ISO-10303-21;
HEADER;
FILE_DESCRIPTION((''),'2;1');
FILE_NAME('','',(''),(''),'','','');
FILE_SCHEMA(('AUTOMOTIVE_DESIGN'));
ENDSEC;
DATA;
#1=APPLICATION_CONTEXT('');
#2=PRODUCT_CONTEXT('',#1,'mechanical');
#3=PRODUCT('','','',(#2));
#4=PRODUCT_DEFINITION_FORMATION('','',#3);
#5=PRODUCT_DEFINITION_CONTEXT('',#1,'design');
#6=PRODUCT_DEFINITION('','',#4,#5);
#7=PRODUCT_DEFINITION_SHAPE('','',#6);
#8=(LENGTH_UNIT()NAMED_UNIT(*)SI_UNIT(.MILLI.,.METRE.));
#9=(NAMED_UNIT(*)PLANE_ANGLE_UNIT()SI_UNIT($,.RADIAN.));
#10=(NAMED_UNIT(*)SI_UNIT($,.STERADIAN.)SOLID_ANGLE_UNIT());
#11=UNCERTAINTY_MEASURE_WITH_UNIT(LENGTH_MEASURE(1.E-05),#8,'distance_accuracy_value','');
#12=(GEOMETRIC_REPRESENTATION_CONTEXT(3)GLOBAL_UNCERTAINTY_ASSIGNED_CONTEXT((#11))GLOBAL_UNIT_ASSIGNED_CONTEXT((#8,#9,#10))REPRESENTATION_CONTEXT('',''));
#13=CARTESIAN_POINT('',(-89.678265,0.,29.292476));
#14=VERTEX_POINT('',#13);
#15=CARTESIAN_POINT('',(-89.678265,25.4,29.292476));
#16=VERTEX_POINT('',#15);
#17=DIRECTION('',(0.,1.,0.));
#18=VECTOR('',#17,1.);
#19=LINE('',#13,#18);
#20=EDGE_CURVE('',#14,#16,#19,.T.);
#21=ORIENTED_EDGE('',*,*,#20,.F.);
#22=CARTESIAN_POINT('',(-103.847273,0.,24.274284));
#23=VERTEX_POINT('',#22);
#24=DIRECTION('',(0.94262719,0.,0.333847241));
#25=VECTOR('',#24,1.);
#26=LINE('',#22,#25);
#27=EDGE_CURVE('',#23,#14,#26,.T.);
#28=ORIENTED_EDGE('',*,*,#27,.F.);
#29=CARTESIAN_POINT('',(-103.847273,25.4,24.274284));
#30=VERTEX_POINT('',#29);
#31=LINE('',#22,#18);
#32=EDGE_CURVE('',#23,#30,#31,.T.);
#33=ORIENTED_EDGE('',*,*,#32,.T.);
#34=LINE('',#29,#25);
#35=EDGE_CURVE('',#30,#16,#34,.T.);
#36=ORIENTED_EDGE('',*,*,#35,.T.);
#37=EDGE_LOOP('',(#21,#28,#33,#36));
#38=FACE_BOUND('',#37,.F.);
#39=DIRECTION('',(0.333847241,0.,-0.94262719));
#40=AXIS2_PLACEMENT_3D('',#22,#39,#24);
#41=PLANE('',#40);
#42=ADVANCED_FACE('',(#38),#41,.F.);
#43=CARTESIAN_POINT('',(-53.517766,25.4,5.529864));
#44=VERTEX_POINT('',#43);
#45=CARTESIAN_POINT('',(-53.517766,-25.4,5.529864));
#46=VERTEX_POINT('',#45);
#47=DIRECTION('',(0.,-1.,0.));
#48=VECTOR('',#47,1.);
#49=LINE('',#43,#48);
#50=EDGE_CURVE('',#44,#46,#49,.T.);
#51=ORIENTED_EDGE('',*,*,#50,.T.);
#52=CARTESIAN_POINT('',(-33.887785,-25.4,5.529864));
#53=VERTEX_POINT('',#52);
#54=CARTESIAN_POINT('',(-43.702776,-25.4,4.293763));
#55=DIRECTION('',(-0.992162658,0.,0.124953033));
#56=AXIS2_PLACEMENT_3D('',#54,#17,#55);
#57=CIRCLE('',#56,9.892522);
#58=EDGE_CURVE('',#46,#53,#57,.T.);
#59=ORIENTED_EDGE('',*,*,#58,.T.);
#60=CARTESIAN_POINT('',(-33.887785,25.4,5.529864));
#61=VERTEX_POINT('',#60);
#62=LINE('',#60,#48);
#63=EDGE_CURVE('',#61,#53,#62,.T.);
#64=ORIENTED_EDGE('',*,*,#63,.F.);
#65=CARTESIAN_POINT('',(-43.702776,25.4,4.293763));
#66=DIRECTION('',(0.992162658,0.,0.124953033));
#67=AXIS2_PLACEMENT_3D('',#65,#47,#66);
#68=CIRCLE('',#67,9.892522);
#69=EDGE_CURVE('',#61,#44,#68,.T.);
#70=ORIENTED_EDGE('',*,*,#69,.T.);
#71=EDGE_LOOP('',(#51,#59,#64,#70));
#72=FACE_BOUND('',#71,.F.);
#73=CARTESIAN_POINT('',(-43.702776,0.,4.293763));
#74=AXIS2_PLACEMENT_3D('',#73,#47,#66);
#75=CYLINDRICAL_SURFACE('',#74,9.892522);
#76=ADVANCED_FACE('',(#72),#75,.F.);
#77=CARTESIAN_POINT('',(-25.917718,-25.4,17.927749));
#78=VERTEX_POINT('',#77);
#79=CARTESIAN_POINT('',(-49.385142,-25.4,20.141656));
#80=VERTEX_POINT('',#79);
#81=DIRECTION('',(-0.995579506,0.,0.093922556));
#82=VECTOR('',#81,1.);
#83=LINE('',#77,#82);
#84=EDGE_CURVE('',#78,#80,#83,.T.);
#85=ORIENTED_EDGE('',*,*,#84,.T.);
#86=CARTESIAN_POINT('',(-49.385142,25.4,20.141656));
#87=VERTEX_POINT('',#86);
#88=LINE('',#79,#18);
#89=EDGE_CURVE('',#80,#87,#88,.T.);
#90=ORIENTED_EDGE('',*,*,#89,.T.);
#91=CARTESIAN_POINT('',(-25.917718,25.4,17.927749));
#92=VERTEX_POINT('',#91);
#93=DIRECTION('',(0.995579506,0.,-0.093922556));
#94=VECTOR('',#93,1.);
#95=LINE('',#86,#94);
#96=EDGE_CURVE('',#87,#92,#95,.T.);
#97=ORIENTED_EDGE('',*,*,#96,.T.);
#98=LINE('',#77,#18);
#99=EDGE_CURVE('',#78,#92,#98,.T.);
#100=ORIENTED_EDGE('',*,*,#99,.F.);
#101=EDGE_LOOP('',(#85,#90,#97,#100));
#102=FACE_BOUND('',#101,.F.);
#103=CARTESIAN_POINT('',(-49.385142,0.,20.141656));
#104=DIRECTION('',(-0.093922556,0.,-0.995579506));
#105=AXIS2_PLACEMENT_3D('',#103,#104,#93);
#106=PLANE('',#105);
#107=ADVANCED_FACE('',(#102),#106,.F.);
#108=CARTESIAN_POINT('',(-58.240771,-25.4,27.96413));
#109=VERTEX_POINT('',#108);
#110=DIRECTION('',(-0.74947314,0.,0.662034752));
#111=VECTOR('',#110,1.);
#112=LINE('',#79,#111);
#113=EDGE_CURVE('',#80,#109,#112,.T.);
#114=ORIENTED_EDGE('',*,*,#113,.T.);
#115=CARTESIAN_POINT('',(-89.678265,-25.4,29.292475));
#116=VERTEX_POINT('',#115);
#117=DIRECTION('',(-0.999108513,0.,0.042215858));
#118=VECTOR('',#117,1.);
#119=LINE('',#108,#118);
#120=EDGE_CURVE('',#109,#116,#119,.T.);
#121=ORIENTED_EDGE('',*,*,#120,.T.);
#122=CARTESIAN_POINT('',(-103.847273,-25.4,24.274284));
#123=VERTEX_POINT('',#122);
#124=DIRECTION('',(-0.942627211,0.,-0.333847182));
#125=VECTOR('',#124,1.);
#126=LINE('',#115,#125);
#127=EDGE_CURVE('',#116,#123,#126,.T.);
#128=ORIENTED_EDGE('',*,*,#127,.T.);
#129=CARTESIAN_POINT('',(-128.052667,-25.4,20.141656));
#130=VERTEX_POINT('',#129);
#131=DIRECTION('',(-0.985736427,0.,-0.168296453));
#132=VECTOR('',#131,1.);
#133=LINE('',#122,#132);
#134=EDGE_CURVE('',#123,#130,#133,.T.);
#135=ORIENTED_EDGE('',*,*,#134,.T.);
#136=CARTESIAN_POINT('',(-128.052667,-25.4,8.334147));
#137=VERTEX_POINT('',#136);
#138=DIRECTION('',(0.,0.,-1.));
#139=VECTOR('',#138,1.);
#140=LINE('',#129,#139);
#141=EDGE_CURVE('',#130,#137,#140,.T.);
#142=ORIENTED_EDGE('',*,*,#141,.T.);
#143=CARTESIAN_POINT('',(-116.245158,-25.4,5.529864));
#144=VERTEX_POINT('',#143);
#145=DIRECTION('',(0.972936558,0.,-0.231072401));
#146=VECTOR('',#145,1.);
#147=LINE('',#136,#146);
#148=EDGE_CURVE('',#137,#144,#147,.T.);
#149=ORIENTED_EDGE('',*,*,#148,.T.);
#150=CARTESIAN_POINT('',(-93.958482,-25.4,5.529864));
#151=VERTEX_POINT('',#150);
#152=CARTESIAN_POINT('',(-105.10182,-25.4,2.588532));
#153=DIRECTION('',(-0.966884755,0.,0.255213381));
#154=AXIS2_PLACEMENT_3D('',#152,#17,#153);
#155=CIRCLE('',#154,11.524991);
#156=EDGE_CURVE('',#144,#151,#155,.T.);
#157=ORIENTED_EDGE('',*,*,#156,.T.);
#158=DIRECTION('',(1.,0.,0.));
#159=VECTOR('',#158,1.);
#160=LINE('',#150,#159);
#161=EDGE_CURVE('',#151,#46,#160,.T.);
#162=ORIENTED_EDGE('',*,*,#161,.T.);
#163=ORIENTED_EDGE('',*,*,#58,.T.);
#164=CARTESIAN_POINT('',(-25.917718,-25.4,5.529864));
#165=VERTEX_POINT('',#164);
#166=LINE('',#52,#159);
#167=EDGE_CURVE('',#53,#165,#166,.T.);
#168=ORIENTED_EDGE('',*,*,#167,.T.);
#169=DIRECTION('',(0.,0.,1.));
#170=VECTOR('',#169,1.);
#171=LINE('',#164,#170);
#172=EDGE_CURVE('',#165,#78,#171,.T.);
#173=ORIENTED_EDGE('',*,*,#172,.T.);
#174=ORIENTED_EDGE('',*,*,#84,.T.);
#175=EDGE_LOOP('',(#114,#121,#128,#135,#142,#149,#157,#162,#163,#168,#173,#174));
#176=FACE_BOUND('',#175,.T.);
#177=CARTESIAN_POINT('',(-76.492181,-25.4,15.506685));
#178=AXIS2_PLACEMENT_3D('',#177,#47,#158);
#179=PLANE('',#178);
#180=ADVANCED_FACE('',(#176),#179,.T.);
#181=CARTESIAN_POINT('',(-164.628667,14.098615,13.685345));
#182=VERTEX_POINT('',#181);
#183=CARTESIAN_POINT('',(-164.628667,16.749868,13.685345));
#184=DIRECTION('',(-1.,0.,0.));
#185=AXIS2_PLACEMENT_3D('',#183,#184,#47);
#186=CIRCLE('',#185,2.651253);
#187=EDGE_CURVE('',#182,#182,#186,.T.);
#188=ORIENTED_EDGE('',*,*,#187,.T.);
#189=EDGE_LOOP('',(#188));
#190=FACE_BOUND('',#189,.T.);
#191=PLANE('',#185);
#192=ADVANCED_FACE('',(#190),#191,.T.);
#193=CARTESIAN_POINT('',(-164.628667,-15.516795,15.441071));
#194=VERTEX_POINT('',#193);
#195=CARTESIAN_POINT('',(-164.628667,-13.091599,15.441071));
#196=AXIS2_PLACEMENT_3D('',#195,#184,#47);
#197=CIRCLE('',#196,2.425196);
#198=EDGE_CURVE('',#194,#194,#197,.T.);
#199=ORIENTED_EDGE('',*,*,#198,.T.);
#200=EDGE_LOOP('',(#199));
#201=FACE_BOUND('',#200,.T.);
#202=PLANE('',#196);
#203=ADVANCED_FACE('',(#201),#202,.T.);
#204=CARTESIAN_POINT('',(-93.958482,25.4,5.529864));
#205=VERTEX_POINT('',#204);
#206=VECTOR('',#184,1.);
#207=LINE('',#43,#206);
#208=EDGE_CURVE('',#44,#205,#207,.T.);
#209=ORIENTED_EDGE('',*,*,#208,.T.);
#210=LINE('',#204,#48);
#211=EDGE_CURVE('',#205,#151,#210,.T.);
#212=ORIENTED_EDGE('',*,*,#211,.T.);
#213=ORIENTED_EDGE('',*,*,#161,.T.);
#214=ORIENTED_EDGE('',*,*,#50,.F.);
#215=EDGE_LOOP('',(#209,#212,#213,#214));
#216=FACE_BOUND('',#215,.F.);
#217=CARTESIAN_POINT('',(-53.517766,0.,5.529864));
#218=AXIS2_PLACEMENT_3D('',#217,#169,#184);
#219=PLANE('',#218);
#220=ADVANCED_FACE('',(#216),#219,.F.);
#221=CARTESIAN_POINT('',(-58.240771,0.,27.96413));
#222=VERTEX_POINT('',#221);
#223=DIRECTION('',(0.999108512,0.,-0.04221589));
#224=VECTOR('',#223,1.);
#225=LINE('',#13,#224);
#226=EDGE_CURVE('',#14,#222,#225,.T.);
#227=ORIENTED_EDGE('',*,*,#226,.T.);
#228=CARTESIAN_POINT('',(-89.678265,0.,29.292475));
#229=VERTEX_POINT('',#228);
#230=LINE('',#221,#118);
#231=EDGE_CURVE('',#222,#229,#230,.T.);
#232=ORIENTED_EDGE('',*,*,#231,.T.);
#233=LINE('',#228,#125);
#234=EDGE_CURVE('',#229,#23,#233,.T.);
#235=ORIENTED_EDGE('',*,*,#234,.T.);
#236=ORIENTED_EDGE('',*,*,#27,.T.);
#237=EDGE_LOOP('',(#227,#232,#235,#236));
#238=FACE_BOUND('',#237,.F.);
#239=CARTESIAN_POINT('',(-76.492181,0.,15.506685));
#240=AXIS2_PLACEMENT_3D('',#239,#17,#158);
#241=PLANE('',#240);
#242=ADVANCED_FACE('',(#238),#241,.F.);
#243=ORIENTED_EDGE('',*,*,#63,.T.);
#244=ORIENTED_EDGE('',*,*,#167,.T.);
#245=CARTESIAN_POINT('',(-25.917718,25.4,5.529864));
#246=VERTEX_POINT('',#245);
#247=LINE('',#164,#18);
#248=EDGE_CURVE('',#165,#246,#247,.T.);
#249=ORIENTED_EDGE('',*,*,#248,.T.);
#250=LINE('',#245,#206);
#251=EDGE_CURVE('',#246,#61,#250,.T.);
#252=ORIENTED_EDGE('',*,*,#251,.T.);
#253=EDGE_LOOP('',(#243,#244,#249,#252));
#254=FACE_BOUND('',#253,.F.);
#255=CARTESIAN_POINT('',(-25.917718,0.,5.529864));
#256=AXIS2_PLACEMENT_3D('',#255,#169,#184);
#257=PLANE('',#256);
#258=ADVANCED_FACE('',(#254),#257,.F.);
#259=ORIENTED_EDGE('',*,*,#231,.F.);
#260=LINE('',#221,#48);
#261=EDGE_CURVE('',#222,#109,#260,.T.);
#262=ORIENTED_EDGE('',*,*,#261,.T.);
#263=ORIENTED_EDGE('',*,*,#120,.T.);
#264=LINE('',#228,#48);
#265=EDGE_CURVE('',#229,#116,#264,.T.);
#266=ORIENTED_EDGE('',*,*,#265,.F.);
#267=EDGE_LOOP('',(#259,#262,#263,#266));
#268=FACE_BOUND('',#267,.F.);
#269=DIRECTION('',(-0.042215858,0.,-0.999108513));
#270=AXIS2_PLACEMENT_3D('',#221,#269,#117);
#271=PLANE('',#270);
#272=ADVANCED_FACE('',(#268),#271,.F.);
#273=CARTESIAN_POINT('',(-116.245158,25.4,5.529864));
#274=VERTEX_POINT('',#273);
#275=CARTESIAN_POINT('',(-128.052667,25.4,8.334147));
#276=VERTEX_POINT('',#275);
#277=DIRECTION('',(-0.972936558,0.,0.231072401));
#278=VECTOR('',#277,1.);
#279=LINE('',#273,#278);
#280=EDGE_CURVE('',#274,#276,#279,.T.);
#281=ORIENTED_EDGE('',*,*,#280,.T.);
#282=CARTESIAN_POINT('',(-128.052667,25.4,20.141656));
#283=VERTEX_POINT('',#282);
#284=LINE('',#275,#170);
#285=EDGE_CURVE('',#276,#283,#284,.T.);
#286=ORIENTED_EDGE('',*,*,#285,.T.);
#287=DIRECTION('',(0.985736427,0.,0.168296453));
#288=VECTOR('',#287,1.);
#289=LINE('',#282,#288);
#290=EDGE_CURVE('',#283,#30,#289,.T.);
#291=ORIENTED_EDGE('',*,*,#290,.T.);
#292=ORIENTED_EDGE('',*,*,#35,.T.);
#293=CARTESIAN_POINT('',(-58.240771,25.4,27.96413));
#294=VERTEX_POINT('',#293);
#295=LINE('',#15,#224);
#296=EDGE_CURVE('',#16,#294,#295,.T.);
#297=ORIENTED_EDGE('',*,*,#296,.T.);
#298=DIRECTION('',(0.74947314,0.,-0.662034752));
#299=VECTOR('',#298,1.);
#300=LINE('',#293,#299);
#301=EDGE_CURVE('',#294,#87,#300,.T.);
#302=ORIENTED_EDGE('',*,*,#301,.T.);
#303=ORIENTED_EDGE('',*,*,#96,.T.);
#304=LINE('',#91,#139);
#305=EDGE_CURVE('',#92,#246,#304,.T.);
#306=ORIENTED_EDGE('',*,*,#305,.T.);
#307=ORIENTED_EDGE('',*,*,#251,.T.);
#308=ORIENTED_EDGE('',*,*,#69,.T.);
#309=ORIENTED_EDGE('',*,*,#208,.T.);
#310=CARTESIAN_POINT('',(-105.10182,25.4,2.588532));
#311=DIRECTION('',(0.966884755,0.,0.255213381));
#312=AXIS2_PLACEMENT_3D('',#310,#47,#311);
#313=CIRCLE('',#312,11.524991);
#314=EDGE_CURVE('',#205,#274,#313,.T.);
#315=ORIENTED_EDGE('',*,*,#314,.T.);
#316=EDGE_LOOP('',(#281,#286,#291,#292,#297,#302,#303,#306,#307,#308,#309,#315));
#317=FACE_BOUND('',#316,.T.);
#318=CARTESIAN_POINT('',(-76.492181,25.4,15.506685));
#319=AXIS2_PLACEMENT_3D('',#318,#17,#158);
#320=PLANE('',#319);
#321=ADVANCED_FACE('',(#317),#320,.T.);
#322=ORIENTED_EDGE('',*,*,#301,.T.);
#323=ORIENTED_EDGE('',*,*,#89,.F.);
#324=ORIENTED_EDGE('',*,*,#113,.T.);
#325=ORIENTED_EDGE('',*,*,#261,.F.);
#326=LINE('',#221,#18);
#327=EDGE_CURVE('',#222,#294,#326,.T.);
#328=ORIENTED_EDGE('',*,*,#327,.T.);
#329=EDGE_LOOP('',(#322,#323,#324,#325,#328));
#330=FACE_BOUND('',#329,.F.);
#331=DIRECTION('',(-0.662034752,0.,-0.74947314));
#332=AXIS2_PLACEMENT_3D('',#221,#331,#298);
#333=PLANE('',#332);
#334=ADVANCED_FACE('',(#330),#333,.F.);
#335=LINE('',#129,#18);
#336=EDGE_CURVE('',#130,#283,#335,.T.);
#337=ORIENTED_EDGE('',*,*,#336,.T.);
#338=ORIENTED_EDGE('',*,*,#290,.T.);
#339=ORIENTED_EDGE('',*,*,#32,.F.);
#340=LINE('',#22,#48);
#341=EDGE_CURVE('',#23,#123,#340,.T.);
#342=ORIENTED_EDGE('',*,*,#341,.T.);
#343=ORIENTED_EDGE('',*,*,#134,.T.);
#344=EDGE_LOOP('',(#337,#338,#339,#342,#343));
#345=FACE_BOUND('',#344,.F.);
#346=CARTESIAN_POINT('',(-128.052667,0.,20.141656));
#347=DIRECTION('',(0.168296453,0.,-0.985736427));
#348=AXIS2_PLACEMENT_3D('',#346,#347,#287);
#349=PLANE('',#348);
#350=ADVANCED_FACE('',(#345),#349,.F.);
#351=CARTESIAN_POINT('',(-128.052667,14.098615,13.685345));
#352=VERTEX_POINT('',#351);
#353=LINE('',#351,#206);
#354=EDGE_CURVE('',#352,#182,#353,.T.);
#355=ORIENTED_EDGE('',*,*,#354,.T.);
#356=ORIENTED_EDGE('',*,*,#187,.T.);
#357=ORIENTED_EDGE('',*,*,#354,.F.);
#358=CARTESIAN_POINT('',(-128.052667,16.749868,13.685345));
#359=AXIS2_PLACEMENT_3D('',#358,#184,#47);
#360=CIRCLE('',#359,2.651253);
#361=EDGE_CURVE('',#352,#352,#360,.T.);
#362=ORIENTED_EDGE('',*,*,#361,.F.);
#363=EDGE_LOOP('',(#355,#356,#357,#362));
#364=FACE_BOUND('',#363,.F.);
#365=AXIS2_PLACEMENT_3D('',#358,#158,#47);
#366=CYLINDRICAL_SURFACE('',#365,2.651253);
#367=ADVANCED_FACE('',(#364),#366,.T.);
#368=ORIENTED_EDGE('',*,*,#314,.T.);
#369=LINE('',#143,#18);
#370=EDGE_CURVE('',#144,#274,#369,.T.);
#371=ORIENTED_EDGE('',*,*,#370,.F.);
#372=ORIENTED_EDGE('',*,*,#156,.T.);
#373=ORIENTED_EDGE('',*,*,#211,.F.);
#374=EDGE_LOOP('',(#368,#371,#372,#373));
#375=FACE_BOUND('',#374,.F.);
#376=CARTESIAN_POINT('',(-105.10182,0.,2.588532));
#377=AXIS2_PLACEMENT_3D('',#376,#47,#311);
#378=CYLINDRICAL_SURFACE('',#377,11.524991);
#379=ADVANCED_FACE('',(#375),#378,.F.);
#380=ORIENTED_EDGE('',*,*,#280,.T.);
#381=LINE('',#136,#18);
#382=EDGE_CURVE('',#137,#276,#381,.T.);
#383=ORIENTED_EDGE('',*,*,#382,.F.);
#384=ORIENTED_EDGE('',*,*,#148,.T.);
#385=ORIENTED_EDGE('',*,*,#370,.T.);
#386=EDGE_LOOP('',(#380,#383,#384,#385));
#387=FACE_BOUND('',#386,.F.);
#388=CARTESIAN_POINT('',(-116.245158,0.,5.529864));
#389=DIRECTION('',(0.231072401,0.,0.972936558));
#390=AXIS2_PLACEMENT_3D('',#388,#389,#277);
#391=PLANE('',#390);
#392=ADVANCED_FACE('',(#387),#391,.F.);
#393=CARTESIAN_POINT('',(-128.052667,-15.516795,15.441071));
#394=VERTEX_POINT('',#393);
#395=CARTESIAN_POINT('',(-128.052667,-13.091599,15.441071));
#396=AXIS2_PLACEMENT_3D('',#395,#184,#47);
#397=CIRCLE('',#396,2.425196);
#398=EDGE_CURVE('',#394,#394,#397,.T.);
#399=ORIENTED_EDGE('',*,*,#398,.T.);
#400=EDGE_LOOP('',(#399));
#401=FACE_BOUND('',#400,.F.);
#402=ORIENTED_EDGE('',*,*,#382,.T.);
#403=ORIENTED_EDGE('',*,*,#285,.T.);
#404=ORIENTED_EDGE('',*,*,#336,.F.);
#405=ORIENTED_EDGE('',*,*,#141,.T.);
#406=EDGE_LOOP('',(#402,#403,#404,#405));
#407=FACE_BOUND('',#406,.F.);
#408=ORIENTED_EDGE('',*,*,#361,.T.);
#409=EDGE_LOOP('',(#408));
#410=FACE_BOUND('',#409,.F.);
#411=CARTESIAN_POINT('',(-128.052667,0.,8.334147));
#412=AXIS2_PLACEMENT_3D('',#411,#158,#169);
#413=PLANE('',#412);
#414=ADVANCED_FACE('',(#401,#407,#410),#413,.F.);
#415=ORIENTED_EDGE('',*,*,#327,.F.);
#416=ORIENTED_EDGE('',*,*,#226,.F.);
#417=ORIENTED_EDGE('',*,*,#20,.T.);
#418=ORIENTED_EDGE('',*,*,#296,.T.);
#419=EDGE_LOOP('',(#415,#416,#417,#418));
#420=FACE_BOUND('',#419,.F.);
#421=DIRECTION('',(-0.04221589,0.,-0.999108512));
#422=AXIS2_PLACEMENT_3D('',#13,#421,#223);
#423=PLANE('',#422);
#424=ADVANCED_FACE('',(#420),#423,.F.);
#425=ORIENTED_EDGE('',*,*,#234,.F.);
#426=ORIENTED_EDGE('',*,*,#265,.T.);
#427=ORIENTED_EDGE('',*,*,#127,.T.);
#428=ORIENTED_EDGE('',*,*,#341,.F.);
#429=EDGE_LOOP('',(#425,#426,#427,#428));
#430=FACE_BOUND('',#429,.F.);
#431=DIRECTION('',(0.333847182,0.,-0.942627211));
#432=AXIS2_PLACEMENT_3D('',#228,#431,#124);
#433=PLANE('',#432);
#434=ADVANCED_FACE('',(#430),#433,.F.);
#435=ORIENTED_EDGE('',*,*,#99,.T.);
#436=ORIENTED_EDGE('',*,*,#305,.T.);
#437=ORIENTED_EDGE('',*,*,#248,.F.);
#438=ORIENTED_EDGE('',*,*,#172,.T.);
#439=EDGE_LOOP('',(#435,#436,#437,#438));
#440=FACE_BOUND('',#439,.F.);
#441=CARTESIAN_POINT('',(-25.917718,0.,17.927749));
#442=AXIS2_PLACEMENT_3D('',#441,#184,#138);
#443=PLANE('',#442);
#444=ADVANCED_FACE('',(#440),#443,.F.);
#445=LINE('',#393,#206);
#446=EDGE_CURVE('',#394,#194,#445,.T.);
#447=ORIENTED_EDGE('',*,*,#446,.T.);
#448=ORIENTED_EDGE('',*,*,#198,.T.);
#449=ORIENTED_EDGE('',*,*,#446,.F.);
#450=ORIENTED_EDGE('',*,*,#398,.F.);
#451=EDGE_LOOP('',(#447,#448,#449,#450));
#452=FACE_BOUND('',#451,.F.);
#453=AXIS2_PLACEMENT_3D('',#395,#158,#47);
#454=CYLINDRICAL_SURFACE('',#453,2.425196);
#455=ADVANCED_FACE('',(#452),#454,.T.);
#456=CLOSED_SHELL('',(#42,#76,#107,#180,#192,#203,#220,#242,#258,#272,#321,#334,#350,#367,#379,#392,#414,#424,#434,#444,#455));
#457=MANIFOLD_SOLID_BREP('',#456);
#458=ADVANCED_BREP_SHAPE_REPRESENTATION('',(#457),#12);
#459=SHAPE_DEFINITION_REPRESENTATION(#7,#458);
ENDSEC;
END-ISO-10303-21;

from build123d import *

# Parameters (mm, degrees)
F1_DEPTH = 25.4
F2_DEPTH = 25.4
F3_R     = 2.651253
F3_R_2   = 2.425196
F4_DEPTH = 36.576


with BuildPart() as f1:
    # F0 (on Front) → F1 (new body)
    with BuildSketch(Plane.XZ):
        with BuildLine():
            ThreePointArc((-116.245158, 5.529864), (-105.10182, 14.113523), (-93.958482, 5.529864))
            Line((-93.958482, 5.529864), (-53.517766, 5.529864))
            ThreePointArc((-53.517766, 5.529864), (-43.702776, 14.186285), (-33.887785, 5.529864))
            Line((-33.887785, 5.529864), (-25.917718, 5.529864))
            Line((-25.917718, 5.529864), (-25.917718, 17.927749))
            Line((-25.917718, 17.927749), (-49.385142, 20.141656))
            Line((-49.385142, 20.141656), (-58.240771, 27.96413))
            Line((-58.240771, 27.96413), (-89.678265, 29.292475))
            Line((-89.678265, 29.292475), (-103.847273, 24.274284))
            Line((-103.847273, 24.274284), (-128.052667, 20.141656))
            Line((-128.052667, 20.141656), (-128.052667, 8.334147))
            Line((-128.052667, 8.334147), (-116.245158, 5.529864))
        make_face()
    extrude(amount=F1_DEPTH)

    # F1_face (on face) → F2 (join)
    with BuildSketch(Plane(origin=(-78.672809, 0, 16.414662), x_dir=(1, 0, 0), z_dir=(0, 1, 0))):
        with BuildLine():
            ThreePointArc((-15.285673, 10.884798), (-26.429011, 2.301139), (-37.572349, 10.884798))
            Line((-37.572349, 10.884798), (-49.379858, 8.080515))
            Line((-49.379858, 8.080515), (-49.379858, -3.726994))
            Line((-49.379858, -3.726994), (-25.174464, -7.859622))
            Line((-25.174464, -7.859622), (-11.005456, -12.877814))
            Line((-11.005456, -12.877814), (20.432038, -11.549468))
            Line((20.432038, -11.549468), (29.287667, -3.726994))
            Line((29.287667, -3.726994), (52.755091, -1.513087))
            Line((52.755091, -1.513087), (52.755091, 10.884798))
            Line((52.755091, 10.884798), (44.785024, 10.884798))
            ThreePointArc((44.785024, 10.884798), (34.970033, 2.228377), (25.155043, 10.884798))
            Line((25.155043, 10.884798), (-15.285673, 10.884798))
        make_face()
    extrude(amount=F2_DEPTH)

    # F3 (on face) → F4 (join)
    with BuildSketch(Plane(origin=(-128.052667, 0, 0), x_dir=(0, -1, 0), z_dir=(-1, 0, 0))):
        with Locations((-16.749868, 13.685345)):
            Circle(F3_R)
        with Locations((13.091599, 15.441071)):
            Circle(F3_R_2)
    extrude(amount=F4_DEPTH)


solid = f1.part
